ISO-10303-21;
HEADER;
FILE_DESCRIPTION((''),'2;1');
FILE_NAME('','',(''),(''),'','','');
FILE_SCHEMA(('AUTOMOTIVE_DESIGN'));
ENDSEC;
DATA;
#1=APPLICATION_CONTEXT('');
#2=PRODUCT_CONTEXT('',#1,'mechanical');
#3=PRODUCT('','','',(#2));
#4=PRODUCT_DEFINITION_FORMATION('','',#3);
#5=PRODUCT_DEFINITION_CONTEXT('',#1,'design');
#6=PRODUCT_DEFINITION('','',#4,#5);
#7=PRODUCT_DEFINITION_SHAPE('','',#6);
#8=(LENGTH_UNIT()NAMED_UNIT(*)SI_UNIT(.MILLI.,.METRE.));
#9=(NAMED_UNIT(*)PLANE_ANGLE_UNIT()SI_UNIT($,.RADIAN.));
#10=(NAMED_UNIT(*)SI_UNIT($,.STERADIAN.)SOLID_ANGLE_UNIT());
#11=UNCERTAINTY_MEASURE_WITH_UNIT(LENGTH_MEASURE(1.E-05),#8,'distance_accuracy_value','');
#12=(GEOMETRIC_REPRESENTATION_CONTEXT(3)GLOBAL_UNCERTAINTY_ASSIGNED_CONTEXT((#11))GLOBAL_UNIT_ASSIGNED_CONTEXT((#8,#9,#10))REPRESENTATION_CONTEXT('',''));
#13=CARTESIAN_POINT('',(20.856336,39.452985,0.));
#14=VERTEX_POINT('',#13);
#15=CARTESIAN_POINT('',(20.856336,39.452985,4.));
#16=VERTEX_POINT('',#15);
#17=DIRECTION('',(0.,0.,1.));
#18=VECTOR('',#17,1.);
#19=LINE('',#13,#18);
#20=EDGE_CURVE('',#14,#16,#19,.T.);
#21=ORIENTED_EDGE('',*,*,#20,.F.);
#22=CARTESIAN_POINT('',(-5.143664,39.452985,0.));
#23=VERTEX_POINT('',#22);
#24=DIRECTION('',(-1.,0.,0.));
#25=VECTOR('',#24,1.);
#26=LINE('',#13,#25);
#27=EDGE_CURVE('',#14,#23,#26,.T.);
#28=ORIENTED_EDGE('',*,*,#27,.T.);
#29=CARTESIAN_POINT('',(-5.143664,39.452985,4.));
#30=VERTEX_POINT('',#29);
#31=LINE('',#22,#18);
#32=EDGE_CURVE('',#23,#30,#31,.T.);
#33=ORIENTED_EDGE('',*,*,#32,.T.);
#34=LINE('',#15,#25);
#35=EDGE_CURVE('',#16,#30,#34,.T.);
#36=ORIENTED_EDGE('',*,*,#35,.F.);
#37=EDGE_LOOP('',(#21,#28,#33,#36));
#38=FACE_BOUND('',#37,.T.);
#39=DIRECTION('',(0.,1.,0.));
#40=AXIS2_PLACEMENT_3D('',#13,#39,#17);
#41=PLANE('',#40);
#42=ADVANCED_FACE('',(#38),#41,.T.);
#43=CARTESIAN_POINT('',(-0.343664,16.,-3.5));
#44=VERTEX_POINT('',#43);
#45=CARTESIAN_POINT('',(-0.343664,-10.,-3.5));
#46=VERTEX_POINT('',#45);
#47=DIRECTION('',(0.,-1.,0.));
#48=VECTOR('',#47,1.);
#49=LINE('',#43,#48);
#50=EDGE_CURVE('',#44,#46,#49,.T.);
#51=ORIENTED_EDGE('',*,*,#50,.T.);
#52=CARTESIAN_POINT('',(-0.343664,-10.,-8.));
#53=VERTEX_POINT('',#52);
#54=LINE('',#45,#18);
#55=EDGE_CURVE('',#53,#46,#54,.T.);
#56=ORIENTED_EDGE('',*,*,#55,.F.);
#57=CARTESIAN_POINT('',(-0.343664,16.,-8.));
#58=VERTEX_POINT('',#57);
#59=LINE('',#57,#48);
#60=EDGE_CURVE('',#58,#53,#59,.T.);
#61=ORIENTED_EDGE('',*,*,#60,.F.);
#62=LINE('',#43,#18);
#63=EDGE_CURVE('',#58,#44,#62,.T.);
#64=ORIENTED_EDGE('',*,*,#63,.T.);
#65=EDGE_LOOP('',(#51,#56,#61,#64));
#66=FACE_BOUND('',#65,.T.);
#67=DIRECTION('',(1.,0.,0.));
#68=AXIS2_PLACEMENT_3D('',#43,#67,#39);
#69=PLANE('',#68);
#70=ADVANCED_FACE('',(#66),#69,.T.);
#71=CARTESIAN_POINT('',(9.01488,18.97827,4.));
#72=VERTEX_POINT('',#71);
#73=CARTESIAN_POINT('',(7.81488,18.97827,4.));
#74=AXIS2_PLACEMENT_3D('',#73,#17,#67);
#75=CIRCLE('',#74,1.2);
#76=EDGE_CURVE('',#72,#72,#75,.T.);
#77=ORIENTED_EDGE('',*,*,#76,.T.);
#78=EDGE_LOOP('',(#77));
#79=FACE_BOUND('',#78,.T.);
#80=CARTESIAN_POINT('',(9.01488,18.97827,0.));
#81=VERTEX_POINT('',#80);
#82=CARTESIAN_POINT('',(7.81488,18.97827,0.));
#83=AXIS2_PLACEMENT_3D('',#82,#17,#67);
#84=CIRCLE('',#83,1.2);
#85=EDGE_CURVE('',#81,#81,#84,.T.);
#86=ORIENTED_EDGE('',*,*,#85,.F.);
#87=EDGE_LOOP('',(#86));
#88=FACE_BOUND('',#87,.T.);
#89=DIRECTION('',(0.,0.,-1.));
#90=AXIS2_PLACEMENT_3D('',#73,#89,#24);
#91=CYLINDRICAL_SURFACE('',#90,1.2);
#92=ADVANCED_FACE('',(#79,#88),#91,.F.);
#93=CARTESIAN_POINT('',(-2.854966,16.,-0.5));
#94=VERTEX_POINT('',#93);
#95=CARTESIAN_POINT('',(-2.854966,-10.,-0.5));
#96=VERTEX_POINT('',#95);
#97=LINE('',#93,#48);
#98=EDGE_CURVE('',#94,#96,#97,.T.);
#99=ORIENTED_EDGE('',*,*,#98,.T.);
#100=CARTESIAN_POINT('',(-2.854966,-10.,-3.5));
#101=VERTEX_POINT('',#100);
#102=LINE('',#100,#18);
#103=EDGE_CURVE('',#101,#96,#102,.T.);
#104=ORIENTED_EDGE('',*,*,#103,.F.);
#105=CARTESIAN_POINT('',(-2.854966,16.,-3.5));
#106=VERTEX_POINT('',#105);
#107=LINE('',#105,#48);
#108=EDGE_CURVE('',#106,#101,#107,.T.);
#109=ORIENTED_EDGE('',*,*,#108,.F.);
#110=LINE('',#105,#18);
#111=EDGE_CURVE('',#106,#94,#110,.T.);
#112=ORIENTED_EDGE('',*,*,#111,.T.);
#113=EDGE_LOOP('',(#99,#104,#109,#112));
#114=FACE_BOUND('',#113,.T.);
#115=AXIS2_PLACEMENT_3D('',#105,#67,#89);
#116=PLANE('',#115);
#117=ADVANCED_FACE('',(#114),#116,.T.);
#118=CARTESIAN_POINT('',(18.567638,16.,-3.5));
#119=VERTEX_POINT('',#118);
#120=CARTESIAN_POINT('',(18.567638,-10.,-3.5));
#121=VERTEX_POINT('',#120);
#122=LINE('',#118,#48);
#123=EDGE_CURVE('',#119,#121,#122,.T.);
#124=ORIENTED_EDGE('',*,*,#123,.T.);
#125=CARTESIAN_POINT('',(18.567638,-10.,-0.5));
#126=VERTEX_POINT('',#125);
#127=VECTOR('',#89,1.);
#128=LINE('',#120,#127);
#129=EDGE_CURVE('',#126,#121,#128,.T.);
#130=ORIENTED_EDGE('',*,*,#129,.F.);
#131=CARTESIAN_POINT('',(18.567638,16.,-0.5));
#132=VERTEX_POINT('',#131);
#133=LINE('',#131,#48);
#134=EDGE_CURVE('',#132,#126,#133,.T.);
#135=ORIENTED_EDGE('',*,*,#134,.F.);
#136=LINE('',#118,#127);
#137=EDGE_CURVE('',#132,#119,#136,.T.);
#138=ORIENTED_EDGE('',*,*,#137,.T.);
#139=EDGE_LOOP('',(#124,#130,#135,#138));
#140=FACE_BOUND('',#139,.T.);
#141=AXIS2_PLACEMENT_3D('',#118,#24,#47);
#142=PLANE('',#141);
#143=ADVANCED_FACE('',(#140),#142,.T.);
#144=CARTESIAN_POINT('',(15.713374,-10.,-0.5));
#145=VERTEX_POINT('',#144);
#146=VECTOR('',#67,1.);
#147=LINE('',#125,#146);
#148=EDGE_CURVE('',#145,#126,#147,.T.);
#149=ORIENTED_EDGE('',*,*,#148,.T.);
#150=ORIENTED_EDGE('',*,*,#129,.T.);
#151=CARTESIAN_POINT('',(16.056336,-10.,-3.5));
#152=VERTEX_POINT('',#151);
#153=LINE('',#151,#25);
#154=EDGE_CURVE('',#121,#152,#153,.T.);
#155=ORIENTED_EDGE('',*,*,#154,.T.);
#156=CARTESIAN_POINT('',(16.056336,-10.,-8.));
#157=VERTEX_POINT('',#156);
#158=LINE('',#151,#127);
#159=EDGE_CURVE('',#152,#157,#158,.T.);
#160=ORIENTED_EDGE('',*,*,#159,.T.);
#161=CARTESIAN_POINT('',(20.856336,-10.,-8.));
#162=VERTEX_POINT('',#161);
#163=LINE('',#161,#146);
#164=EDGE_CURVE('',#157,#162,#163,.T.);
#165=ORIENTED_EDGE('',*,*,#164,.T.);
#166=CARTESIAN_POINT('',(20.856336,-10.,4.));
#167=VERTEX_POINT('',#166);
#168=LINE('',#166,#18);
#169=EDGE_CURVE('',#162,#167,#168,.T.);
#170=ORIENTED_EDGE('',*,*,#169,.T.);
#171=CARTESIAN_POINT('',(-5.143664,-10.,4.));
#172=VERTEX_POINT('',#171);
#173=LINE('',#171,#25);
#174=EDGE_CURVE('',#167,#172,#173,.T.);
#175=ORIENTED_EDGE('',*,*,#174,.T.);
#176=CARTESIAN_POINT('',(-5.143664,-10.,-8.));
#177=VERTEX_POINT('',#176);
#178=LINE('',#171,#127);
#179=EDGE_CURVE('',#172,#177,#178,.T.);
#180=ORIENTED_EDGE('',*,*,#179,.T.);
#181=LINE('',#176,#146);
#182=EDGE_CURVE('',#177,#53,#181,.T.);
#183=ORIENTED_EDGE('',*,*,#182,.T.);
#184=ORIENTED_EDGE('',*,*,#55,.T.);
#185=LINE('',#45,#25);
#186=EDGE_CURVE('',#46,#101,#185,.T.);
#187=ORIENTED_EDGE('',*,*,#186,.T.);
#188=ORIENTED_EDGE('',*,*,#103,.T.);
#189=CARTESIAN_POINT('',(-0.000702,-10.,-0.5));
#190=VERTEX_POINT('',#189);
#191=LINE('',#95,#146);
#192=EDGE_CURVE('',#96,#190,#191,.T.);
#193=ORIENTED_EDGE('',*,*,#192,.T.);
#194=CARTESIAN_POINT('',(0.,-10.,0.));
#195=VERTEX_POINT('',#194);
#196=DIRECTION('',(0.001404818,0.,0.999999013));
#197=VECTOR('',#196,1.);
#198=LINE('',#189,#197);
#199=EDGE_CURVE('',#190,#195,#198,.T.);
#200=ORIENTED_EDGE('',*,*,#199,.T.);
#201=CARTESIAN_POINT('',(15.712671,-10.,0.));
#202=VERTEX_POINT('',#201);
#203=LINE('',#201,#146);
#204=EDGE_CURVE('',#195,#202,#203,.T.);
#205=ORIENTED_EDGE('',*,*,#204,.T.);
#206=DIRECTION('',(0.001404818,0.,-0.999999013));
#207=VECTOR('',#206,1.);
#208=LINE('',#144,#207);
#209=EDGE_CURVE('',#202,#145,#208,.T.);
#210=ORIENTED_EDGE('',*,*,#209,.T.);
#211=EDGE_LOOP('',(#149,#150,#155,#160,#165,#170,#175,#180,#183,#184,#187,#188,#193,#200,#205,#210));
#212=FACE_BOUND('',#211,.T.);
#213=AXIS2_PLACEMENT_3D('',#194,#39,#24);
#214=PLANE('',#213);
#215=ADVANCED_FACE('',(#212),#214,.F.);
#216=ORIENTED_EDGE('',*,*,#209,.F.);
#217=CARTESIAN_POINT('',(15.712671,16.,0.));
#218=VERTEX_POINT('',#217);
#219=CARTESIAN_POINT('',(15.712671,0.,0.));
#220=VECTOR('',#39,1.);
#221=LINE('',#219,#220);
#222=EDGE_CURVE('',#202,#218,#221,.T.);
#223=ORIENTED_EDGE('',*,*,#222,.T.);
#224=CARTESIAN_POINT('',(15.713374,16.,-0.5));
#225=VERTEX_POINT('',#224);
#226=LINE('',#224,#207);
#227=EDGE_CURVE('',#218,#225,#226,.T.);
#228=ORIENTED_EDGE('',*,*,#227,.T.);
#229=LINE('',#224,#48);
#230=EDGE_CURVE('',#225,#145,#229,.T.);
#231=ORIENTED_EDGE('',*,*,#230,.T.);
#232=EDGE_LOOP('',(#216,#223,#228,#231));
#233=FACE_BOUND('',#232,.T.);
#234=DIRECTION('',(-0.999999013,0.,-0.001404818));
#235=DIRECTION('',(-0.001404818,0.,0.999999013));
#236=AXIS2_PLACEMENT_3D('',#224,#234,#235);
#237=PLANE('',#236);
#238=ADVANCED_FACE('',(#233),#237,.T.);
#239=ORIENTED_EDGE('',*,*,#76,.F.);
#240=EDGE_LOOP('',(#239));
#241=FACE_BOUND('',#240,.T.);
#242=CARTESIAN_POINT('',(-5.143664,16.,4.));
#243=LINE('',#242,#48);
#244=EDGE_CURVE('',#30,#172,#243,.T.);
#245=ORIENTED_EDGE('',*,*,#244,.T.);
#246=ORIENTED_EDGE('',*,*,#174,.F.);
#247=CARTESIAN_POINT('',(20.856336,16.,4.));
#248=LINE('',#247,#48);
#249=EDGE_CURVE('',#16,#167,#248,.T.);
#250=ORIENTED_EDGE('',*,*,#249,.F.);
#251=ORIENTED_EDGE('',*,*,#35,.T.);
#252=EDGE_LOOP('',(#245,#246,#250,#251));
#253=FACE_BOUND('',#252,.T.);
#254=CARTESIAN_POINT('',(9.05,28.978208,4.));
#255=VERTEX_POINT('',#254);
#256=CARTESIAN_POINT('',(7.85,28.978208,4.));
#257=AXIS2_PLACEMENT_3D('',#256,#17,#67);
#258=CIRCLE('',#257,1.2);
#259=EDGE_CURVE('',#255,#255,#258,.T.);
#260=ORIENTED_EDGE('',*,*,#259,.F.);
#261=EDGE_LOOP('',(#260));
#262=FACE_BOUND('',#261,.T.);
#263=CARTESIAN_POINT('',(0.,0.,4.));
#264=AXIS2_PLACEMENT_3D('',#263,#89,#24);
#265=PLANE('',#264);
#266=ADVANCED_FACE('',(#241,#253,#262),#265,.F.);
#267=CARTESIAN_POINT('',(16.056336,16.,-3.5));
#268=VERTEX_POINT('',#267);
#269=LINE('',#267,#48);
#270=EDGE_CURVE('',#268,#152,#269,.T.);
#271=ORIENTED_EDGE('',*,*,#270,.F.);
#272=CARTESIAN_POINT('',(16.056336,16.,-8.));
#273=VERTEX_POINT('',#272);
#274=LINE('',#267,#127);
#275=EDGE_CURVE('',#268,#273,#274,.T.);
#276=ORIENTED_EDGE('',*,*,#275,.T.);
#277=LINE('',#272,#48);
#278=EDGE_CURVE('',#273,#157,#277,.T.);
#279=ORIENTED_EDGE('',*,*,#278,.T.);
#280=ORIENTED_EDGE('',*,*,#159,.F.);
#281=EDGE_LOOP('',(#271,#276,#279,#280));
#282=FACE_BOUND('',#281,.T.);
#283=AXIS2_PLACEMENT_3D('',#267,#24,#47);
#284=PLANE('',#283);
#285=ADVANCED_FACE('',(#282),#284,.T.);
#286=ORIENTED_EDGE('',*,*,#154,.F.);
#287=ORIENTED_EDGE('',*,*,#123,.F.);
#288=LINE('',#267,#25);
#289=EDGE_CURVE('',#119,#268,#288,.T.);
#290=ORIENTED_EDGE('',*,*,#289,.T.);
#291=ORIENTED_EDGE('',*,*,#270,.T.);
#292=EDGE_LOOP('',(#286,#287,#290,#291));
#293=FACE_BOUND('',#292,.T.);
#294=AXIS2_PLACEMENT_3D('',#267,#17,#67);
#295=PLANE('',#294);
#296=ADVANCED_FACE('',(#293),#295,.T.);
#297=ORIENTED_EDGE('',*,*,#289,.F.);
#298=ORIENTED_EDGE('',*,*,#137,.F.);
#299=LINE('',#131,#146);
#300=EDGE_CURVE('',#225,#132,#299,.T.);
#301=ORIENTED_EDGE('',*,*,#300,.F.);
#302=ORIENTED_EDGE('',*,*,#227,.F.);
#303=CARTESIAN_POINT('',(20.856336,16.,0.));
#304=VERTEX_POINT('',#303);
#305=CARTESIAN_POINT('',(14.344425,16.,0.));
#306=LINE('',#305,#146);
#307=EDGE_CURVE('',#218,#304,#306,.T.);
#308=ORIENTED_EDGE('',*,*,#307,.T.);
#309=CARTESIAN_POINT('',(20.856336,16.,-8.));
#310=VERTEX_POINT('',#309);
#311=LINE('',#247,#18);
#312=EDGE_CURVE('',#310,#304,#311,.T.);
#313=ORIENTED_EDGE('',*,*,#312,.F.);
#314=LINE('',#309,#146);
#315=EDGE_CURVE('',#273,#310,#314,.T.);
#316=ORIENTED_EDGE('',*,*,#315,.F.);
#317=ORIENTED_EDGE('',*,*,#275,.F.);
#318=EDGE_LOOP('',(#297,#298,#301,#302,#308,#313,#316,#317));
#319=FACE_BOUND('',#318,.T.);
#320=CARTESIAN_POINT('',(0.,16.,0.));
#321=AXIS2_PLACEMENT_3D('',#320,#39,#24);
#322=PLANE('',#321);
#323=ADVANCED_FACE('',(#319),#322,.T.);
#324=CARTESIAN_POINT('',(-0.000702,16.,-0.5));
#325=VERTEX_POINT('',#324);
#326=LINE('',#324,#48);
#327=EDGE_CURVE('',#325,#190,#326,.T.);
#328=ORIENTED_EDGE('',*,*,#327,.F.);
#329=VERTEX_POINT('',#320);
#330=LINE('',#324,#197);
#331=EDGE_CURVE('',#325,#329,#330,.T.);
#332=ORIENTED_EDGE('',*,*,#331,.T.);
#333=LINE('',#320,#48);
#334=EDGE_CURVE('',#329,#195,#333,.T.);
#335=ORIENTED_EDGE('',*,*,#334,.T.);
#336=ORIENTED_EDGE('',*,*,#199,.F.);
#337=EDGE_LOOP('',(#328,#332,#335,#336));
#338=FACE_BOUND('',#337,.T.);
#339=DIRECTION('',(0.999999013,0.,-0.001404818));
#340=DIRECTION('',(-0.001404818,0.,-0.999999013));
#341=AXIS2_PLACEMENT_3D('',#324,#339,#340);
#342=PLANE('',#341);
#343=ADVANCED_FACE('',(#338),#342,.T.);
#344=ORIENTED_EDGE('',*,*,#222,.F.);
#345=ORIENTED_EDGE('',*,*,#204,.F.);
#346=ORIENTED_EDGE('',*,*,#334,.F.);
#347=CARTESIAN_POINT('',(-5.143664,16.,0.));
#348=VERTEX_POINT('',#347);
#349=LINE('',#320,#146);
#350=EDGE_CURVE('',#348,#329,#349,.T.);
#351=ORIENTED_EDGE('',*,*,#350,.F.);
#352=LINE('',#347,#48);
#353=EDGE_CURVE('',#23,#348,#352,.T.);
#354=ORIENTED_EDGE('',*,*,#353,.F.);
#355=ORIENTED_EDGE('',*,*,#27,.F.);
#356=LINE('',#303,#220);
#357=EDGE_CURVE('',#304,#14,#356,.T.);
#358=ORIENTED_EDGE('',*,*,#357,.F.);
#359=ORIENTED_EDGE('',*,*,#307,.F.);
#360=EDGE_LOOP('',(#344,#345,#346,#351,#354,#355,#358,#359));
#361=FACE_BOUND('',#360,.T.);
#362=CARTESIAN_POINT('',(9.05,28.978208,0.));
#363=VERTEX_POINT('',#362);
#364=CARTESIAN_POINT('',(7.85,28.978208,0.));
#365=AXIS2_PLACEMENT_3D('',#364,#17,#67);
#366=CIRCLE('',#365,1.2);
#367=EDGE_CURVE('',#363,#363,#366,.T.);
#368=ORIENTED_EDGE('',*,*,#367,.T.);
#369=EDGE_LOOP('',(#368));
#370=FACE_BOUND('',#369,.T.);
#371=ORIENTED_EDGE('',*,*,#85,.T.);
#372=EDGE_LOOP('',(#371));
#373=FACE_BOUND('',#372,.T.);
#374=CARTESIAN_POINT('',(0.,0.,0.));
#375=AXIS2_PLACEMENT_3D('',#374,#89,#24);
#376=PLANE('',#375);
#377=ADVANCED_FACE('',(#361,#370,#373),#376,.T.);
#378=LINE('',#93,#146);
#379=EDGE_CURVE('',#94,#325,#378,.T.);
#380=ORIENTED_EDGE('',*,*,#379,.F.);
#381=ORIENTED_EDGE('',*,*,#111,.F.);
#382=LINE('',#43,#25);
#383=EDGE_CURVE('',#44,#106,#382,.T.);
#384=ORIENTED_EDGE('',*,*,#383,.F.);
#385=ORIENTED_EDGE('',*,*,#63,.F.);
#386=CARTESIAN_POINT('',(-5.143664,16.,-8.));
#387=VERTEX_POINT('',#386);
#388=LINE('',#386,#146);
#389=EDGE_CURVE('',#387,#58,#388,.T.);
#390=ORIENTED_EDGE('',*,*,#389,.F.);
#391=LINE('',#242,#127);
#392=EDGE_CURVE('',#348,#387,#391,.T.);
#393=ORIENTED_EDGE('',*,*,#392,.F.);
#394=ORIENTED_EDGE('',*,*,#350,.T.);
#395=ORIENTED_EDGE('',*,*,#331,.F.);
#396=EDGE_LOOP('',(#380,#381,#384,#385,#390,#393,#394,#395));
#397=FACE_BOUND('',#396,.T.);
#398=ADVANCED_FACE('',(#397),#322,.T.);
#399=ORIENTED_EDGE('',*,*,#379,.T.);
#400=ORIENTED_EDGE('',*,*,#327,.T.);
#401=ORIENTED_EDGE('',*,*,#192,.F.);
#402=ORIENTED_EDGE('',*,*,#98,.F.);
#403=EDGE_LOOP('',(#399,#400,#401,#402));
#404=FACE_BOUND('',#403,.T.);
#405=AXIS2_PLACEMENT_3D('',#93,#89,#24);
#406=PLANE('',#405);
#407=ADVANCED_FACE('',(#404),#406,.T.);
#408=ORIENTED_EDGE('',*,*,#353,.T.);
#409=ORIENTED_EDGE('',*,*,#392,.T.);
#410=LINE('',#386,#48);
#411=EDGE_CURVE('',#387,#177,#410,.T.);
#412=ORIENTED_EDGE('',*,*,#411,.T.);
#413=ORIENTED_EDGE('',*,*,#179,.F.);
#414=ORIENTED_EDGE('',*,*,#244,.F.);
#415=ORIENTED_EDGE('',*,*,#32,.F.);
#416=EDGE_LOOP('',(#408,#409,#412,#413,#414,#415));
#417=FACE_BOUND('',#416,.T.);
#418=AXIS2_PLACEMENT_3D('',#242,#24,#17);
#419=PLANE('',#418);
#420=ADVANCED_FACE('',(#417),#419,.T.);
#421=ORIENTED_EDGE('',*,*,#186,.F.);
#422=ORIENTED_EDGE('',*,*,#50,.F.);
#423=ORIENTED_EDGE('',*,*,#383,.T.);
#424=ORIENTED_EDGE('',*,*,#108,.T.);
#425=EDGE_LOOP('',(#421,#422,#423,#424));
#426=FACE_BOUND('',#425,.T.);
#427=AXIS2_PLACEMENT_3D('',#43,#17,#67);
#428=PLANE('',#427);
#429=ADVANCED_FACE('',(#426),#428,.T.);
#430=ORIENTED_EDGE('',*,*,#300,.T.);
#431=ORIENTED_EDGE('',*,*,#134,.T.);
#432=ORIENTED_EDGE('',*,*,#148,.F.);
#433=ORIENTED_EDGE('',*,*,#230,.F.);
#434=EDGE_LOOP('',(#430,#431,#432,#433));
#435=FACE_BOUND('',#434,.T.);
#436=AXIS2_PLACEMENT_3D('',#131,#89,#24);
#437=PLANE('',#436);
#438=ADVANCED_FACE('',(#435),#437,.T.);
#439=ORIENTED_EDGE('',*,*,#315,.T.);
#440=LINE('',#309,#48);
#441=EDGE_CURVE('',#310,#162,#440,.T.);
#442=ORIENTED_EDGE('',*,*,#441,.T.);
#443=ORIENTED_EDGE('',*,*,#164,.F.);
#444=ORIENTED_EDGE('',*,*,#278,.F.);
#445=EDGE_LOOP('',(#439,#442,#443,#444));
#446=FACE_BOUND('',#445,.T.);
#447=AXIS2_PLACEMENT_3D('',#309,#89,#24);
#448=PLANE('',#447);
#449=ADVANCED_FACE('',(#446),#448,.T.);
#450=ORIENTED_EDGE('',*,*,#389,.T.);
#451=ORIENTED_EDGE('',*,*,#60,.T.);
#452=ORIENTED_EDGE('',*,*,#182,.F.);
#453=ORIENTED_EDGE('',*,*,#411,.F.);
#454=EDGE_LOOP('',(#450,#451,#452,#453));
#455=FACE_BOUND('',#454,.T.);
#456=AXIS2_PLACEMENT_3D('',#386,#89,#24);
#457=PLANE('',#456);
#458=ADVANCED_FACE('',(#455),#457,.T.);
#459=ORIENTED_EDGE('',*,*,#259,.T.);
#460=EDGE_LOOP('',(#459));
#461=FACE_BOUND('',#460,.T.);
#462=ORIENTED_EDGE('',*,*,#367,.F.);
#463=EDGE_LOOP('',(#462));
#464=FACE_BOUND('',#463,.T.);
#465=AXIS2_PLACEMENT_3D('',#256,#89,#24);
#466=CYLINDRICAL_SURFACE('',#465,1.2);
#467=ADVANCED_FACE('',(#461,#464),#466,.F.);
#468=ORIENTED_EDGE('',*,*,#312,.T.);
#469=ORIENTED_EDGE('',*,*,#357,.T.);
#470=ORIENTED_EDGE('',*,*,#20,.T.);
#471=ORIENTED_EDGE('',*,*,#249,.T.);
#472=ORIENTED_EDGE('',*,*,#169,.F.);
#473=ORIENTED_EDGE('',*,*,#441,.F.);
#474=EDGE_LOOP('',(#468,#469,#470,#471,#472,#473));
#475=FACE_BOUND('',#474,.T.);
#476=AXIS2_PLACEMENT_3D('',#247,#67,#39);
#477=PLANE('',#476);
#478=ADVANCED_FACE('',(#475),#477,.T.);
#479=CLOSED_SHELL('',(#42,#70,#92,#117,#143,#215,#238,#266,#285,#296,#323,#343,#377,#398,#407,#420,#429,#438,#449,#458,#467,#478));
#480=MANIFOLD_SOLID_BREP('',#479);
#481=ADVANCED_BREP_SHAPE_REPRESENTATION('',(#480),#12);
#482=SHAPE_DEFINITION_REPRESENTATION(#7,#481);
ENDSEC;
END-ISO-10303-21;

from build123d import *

# Parameters (mm, degrees)
ESQUISSE1_W             = 15.712671493
ESQUISSE1_H             = 32.57240809
ESQUISSE1_R             = 1.2
BOSS_EXTRU_1_DEPTH      = 4
BOSS_EXTRU_2_DEPTH      = 10
BOSS_EXTRU_2_DEPTH_BACK = 16
BOSS_EXTRU_4_DEPTH      = 4


with BuildPart() as part:
    # Esquisse1 → Boss.-Extru.1 (new body)
    with BuildSketch(Plane.XY):
        with Locations((7.856335747, 16.286204045)):
            Rectangle(ESQUISSE1_W, ESQUISSE1_H)
        with Locations((7.85, 28.978207996)):
            Circle(ESQUISSE1_R, mode=Mode.SUBTRACT)
        with Locations((7.814879524, 18.978269669)):
            Circle(ESQUISSE1_R, mode=Mode.SUBTRACT)
    extrude(amount=BOSS_EXTRU_1_DEPTH)

    # Esquisse2 → Boss.-Extru.2 (add, two sides: drawn at the far end of the back side and taken through both)
    with BuildSketch(Plane.XZ.offset(-BOSS_EXTRU_2_DEPTH_BACK)):
        Polygon((-5.143664254, 4), (20.856335746, 4), (20.856335746, -8), (16.056335746, -8), (16.056335746, -3.5), (18.56763753, -3.5), (18.56763753, -0.5), (15.713373902, -0.5), (15.712671493, 0), (0, 0), (-0.00070241, -0.5), (-2.854966038, -0.5), (-2.854966038, -3.5), (-0.343664254, -3.5), (-0.343664254, -8), (-5.143664254, -8), align=None)
    extrude(amount=BOSS_EXTRU_2_DEPTH + BOSS_EXTRU_2_DEPTH_BACK)

    # Esquisse4 → Boss.-Extru.4 (add)
    with BuildSketch(Plane.XY.offset(4)):
        Polygon((0, 16), (-5.143664254, 16), (-5.143664254, 39.452985167), (20.856335746, 39.452985167), (20.856335746, 16), (15.712671493, 16), (14.344424764, 16), (14.344424764, 31.44629888), (1.552132881, 31.44629888), (1.552132881, 16), align=None)
    extrude(amount=-BOSS_EXTRU_4_DEPTH)


solid = part.part
